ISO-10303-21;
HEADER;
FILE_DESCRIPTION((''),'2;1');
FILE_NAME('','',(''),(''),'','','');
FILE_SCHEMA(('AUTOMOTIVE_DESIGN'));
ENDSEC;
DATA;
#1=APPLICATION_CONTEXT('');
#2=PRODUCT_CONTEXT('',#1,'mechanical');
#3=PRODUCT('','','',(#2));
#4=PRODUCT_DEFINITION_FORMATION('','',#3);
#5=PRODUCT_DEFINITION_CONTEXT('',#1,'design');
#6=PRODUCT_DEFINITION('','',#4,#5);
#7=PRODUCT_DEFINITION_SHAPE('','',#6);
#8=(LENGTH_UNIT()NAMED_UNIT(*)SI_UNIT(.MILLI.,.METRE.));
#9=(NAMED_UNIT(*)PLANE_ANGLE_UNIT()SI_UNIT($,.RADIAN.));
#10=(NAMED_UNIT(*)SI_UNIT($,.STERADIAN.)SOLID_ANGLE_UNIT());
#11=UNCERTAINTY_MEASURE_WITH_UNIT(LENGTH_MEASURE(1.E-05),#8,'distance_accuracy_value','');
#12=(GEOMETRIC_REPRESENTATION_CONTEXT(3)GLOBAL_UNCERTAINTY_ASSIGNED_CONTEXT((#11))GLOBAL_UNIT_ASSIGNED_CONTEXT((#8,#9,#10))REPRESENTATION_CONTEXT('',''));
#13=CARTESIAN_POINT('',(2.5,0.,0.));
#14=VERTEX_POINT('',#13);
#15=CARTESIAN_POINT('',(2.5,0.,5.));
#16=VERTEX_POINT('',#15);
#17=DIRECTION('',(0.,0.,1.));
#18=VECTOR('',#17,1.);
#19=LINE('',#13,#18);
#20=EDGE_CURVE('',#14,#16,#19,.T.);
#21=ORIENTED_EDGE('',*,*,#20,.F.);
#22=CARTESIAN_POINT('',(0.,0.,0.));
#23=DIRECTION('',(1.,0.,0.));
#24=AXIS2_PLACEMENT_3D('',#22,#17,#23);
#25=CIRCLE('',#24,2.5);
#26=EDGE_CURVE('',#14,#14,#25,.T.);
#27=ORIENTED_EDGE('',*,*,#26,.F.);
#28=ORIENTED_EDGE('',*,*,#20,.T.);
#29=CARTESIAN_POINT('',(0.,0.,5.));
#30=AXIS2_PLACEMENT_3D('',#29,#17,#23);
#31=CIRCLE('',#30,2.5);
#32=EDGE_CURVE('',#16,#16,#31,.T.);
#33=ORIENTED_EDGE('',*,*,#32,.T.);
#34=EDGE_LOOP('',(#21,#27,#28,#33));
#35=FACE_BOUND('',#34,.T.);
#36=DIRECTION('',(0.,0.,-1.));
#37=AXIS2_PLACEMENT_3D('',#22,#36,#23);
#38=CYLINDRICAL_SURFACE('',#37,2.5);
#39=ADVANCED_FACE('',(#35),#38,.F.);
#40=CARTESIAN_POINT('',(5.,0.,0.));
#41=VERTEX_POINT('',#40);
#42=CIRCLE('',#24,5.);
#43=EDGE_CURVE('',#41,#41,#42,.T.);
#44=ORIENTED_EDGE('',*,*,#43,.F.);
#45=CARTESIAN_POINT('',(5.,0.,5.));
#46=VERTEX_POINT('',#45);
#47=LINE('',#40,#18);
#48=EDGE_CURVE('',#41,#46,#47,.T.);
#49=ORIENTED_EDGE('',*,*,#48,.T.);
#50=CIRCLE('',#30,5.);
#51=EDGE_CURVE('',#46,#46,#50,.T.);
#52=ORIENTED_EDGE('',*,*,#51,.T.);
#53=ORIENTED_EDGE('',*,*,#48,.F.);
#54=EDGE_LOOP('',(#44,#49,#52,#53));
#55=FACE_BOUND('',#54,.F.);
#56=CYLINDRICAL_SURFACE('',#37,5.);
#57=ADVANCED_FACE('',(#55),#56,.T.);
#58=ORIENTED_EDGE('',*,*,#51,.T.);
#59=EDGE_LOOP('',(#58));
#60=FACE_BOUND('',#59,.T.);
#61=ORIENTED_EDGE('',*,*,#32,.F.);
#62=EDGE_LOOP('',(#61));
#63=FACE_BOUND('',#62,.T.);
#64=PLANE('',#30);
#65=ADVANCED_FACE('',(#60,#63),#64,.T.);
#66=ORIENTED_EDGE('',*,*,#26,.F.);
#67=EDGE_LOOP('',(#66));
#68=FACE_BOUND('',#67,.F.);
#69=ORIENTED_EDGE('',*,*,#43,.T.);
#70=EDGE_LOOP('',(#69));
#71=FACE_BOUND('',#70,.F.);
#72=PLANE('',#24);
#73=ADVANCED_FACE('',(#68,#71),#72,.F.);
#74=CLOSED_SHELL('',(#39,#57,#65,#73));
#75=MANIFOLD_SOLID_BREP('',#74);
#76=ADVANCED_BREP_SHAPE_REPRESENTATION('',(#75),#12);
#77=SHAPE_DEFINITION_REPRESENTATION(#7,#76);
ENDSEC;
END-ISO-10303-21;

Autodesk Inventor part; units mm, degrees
ref_plane "YZ Plane" through (0, 0, 0) normal (1, 0, 0) x (0, 1, 0)
ref_plane "XZ Plane" through (0, 0, 0) normal (0, 1, 0) x (-1, 0, 0)
ref_plane "XY Plane" through (0, 0, 0) normal (0, 0, 1) x (1, 0, 0)
sketch "Sketch1" plane through (0, 0, 0) normal (0, 0, 1) x (1, 0, 0)
  circle A0 centre (0, 0) radius 2.5
  circle A1 centre (0, 0) radius 5
  dimension "d0" = 5
  dimension "d1" = 2.5
extrude "Extrusion1" add sketch "Sketch1" along normal blind 5
properties part number "Spacer" material "MDF Medium Density Fiberboard"
